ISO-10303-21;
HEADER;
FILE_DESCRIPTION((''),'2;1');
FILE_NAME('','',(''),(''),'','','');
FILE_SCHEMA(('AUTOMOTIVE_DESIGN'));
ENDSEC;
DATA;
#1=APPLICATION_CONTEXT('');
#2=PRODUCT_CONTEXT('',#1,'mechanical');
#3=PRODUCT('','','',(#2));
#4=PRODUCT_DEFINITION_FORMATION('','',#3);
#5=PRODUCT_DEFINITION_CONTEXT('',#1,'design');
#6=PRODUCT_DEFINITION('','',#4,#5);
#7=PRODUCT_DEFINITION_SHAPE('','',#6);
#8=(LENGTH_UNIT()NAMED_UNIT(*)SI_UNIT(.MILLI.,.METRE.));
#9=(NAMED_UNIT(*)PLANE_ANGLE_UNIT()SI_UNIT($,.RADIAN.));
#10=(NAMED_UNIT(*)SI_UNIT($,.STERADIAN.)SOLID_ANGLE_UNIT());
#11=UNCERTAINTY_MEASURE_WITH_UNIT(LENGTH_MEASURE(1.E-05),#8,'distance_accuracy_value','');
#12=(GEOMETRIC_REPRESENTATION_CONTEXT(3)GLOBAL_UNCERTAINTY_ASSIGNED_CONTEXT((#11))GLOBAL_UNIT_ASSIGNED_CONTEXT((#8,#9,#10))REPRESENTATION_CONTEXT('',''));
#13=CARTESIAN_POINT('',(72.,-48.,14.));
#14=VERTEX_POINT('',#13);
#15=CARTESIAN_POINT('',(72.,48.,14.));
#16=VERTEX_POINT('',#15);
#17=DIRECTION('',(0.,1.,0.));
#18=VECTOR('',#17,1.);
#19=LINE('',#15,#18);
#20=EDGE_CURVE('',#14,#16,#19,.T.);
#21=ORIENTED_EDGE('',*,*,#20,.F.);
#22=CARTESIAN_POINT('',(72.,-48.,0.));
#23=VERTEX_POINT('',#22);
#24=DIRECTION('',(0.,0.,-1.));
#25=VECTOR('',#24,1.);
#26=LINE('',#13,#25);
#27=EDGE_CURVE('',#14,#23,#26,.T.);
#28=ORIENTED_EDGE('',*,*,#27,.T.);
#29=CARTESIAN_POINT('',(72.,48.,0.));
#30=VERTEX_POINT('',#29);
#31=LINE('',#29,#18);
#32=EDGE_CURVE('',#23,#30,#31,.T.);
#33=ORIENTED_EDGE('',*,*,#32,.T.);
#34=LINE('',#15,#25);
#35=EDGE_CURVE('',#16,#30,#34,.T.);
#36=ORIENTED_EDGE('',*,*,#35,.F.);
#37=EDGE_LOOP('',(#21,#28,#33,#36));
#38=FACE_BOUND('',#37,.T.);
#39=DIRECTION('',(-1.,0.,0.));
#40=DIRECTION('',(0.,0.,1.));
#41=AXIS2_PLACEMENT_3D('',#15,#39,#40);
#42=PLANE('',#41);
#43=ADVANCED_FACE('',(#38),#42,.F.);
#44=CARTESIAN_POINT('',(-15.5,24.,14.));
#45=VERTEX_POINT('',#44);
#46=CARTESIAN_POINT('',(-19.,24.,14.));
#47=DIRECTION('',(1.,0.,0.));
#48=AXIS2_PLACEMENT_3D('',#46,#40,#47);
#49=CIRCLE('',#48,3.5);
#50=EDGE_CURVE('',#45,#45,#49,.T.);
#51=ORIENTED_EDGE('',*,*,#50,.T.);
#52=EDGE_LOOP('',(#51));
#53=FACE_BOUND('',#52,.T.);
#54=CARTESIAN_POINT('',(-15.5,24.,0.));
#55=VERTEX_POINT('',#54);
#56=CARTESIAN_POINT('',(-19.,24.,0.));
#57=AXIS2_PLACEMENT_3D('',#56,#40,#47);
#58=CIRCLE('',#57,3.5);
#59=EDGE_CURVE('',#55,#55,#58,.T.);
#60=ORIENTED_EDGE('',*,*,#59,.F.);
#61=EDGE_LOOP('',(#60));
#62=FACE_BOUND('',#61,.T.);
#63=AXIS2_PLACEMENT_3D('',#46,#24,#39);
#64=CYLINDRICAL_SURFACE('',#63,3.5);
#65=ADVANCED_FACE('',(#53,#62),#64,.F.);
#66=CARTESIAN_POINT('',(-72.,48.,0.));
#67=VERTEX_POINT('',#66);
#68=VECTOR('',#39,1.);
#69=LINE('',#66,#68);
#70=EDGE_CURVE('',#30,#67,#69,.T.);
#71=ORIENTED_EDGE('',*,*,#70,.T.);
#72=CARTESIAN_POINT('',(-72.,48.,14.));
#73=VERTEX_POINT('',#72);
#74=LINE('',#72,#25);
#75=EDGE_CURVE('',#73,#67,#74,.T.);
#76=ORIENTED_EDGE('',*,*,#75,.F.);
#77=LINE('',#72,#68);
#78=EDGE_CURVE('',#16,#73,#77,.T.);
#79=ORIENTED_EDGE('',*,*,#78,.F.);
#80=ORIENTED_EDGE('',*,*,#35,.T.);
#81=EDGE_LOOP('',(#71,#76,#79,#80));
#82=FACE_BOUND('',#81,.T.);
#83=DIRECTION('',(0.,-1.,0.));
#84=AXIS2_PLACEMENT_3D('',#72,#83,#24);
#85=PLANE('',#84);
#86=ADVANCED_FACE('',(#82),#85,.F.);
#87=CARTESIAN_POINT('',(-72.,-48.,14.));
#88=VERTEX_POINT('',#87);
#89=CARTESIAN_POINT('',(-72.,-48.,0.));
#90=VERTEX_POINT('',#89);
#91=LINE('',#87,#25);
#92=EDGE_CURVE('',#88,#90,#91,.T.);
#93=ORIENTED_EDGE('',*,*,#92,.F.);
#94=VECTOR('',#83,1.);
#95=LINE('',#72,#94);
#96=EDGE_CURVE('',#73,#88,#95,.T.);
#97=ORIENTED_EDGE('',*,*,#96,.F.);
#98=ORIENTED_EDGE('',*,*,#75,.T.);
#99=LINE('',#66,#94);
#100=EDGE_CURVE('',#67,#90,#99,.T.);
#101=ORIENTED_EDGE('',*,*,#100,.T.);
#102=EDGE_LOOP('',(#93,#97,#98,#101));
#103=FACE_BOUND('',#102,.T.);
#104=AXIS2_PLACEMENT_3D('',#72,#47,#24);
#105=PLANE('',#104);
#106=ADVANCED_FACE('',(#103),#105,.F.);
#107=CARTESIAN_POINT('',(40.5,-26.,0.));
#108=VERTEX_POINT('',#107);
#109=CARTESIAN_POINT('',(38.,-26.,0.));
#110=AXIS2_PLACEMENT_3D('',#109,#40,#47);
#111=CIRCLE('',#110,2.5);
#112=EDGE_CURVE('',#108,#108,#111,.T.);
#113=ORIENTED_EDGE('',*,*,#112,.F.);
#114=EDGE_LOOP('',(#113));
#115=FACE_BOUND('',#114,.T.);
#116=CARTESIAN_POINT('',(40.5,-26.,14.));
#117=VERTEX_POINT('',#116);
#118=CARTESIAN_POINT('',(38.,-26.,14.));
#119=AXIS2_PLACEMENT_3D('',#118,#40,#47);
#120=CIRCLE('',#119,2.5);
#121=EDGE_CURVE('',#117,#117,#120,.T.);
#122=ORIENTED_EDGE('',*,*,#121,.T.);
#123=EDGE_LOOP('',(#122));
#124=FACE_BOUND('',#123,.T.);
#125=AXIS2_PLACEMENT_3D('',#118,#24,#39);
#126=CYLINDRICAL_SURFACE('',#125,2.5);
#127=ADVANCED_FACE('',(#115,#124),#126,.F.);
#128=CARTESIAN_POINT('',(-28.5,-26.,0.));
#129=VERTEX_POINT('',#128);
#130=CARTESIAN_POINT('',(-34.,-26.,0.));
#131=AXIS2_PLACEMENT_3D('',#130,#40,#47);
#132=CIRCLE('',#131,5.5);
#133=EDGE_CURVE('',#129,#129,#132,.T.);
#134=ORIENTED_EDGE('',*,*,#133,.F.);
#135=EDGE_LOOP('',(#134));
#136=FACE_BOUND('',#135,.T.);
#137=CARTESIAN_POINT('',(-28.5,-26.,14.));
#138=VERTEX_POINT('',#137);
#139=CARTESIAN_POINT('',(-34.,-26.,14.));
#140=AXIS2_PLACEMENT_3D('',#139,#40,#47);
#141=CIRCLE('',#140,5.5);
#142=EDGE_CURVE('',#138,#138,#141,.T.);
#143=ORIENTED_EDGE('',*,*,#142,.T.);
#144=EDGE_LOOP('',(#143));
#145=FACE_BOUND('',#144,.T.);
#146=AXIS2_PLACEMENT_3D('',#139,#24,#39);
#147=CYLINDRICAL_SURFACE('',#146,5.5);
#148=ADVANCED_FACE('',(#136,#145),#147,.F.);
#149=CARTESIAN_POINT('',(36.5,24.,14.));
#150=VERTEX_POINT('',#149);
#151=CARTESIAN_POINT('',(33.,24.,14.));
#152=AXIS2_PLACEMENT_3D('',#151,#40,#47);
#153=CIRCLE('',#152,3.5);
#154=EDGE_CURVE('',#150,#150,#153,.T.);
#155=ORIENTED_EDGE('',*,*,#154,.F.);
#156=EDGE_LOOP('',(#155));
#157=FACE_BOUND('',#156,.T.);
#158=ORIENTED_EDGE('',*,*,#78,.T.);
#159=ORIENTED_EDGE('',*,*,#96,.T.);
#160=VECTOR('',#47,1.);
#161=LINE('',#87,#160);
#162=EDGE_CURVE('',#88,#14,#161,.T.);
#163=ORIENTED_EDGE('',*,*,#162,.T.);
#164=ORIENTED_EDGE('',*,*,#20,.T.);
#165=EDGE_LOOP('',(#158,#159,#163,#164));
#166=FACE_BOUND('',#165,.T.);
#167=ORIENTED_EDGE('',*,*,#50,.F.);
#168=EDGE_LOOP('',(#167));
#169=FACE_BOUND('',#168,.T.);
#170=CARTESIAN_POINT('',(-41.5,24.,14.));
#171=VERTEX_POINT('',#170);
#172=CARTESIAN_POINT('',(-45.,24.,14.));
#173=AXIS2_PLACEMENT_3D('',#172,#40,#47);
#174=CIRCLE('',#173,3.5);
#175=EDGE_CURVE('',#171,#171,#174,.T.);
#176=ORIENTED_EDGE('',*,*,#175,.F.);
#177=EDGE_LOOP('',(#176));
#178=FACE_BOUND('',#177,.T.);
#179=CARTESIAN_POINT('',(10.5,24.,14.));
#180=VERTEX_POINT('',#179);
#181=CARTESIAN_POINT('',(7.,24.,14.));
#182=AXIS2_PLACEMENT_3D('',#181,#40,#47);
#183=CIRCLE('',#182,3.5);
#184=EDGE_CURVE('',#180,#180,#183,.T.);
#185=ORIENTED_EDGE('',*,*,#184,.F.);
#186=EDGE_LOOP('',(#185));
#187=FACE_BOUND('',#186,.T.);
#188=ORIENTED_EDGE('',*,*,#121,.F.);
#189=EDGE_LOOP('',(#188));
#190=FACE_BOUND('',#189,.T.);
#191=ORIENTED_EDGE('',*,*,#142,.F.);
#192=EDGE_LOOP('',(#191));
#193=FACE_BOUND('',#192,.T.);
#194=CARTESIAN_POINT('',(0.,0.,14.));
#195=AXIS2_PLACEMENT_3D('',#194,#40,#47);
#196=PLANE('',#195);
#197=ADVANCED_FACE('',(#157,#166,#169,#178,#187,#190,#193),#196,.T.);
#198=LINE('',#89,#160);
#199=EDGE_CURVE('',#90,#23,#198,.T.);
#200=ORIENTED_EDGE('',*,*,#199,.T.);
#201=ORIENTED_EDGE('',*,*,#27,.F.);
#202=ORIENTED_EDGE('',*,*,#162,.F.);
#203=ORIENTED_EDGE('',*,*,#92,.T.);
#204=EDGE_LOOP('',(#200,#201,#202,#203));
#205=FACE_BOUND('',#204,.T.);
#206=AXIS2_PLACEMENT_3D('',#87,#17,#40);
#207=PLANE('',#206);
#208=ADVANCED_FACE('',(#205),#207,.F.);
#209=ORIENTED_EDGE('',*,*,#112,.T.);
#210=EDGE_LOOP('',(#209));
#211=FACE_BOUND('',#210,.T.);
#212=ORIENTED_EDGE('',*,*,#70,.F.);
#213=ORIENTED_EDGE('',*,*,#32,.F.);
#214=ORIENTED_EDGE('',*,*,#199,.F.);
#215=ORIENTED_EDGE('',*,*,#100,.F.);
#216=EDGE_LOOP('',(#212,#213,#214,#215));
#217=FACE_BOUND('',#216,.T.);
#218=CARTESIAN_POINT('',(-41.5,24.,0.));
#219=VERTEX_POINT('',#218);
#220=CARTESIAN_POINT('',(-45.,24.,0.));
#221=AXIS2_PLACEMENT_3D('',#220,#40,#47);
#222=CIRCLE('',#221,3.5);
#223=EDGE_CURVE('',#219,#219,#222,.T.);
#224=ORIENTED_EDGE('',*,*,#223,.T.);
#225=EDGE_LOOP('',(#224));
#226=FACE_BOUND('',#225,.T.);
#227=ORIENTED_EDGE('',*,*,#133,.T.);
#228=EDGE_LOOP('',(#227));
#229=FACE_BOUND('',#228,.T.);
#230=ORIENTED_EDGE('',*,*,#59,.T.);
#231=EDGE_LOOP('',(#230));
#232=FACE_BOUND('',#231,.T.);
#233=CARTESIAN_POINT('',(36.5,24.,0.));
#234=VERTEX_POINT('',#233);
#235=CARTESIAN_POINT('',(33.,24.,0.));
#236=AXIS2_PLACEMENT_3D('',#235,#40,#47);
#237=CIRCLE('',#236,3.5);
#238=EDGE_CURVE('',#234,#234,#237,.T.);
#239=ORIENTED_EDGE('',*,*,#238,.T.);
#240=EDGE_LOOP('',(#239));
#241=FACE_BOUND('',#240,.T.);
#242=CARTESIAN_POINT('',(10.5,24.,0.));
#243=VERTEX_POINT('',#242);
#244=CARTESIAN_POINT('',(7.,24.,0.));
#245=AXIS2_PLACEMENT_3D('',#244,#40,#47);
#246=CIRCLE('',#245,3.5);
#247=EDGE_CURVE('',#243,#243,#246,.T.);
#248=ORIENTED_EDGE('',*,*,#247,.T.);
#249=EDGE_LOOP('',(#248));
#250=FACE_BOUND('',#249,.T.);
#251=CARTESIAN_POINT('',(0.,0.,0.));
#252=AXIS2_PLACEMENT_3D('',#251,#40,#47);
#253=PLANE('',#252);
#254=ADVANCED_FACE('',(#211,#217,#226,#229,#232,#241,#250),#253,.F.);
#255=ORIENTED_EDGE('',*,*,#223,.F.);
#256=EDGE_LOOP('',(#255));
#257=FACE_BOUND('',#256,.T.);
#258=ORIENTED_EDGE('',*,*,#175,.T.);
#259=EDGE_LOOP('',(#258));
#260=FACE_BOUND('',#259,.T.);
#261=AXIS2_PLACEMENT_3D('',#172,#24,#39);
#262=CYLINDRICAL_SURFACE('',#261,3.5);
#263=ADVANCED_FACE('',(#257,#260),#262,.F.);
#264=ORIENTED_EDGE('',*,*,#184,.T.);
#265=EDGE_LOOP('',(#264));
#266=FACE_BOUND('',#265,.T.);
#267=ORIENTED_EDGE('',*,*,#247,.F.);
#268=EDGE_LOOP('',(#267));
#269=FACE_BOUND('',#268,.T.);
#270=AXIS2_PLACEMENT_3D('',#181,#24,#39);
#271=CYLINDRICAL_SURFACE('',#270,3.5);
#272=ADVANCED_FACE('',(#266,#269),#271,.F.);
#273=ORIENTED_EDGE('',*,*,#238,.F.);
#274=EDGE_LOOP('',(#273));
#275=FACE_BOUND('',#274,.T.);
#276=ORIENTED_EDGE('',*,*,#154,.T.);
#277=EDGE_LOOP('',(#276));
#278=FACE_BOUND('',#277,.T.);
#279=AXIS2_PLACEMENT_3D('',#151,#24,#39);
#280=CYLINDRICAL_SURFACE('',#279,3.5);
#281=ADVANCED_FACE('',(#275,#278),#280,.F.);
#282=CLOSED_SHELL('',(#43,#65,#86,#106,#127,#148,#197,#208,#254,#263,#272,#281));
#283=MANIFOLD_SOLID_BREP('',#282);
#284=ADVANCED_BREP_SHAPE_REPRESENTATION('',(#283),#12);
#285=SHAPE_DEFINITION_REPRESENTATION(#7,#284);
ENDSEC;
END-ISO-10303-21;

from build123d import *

# Parameters (mm, degrees)
SKETCH_1_W             = 144
SKETCH_1_H             = 96
EXTRUDE_237_DEPTH      = 14
SKETCH_3_R             = 3.5
CUT_EXTRUDE_A_DEPTH    = 88.658428003
PATTERN_LINEAR_2_COUNT = 4
PATTERN_LINEAR_2_PITCH = 26
SKETCH_4_R             = 5.5
CUT_EXTRUDE_B_DEPTH    = 88.658428003
SKETCH_5_R             = 2.5
CUT_EXTRUDE_C_DEPTH    = 88.658428003


with BuildPart() as part:
    # 草图1 → Extrude 237 (new body)
    with BuildSketch(Plane.XY):
        Rectangle(SKETCH_1_W, SKETCH_1_H)
    extrude(amount=EXTRUDE_237_DEPTH)

    # 草图3 → 孔A (cut, through all)
    with BuildSketch(Plane.XY):
        with Locations((-45, 24)):
            Circle(SKETCH_3_R)
    cut_extrude_a = extrude(amount=CUT_EXTRUDE_A_DEPTH, mode=Mode.SUBTRACT)

    # 阵列(线性)2: 孔A ×4
    with Locations(*[(i * PATTERN_LINEAR_2_PITCH, 0, 0) for i in range(1, PATTERN_LINEAR_2_COUNT)]):
        add(cut_extrude_a, mode=Mode.SUBTRACT)

    # 草图4 → 孔B (cut, through all)
    with BuildSketch(Plane.XY):
        with Locations((-34, -26)):
            Circle(SKETCH_4_R)
    extrude(amount=CUT_EXTRUDE_B_DEPTH, mode=Mode.SUBTRACT)

    # 草图5 → 孔C (cut, through all)
    with BuildSketch(Plane.XY):
        with Locations((38, -26)):
            Circle(SKETCH_5_R)
    extrude(amount=CUT_EXTRUDE_C_DEPTH, mode=Mode.SUBTRACT)


solid = part.part
